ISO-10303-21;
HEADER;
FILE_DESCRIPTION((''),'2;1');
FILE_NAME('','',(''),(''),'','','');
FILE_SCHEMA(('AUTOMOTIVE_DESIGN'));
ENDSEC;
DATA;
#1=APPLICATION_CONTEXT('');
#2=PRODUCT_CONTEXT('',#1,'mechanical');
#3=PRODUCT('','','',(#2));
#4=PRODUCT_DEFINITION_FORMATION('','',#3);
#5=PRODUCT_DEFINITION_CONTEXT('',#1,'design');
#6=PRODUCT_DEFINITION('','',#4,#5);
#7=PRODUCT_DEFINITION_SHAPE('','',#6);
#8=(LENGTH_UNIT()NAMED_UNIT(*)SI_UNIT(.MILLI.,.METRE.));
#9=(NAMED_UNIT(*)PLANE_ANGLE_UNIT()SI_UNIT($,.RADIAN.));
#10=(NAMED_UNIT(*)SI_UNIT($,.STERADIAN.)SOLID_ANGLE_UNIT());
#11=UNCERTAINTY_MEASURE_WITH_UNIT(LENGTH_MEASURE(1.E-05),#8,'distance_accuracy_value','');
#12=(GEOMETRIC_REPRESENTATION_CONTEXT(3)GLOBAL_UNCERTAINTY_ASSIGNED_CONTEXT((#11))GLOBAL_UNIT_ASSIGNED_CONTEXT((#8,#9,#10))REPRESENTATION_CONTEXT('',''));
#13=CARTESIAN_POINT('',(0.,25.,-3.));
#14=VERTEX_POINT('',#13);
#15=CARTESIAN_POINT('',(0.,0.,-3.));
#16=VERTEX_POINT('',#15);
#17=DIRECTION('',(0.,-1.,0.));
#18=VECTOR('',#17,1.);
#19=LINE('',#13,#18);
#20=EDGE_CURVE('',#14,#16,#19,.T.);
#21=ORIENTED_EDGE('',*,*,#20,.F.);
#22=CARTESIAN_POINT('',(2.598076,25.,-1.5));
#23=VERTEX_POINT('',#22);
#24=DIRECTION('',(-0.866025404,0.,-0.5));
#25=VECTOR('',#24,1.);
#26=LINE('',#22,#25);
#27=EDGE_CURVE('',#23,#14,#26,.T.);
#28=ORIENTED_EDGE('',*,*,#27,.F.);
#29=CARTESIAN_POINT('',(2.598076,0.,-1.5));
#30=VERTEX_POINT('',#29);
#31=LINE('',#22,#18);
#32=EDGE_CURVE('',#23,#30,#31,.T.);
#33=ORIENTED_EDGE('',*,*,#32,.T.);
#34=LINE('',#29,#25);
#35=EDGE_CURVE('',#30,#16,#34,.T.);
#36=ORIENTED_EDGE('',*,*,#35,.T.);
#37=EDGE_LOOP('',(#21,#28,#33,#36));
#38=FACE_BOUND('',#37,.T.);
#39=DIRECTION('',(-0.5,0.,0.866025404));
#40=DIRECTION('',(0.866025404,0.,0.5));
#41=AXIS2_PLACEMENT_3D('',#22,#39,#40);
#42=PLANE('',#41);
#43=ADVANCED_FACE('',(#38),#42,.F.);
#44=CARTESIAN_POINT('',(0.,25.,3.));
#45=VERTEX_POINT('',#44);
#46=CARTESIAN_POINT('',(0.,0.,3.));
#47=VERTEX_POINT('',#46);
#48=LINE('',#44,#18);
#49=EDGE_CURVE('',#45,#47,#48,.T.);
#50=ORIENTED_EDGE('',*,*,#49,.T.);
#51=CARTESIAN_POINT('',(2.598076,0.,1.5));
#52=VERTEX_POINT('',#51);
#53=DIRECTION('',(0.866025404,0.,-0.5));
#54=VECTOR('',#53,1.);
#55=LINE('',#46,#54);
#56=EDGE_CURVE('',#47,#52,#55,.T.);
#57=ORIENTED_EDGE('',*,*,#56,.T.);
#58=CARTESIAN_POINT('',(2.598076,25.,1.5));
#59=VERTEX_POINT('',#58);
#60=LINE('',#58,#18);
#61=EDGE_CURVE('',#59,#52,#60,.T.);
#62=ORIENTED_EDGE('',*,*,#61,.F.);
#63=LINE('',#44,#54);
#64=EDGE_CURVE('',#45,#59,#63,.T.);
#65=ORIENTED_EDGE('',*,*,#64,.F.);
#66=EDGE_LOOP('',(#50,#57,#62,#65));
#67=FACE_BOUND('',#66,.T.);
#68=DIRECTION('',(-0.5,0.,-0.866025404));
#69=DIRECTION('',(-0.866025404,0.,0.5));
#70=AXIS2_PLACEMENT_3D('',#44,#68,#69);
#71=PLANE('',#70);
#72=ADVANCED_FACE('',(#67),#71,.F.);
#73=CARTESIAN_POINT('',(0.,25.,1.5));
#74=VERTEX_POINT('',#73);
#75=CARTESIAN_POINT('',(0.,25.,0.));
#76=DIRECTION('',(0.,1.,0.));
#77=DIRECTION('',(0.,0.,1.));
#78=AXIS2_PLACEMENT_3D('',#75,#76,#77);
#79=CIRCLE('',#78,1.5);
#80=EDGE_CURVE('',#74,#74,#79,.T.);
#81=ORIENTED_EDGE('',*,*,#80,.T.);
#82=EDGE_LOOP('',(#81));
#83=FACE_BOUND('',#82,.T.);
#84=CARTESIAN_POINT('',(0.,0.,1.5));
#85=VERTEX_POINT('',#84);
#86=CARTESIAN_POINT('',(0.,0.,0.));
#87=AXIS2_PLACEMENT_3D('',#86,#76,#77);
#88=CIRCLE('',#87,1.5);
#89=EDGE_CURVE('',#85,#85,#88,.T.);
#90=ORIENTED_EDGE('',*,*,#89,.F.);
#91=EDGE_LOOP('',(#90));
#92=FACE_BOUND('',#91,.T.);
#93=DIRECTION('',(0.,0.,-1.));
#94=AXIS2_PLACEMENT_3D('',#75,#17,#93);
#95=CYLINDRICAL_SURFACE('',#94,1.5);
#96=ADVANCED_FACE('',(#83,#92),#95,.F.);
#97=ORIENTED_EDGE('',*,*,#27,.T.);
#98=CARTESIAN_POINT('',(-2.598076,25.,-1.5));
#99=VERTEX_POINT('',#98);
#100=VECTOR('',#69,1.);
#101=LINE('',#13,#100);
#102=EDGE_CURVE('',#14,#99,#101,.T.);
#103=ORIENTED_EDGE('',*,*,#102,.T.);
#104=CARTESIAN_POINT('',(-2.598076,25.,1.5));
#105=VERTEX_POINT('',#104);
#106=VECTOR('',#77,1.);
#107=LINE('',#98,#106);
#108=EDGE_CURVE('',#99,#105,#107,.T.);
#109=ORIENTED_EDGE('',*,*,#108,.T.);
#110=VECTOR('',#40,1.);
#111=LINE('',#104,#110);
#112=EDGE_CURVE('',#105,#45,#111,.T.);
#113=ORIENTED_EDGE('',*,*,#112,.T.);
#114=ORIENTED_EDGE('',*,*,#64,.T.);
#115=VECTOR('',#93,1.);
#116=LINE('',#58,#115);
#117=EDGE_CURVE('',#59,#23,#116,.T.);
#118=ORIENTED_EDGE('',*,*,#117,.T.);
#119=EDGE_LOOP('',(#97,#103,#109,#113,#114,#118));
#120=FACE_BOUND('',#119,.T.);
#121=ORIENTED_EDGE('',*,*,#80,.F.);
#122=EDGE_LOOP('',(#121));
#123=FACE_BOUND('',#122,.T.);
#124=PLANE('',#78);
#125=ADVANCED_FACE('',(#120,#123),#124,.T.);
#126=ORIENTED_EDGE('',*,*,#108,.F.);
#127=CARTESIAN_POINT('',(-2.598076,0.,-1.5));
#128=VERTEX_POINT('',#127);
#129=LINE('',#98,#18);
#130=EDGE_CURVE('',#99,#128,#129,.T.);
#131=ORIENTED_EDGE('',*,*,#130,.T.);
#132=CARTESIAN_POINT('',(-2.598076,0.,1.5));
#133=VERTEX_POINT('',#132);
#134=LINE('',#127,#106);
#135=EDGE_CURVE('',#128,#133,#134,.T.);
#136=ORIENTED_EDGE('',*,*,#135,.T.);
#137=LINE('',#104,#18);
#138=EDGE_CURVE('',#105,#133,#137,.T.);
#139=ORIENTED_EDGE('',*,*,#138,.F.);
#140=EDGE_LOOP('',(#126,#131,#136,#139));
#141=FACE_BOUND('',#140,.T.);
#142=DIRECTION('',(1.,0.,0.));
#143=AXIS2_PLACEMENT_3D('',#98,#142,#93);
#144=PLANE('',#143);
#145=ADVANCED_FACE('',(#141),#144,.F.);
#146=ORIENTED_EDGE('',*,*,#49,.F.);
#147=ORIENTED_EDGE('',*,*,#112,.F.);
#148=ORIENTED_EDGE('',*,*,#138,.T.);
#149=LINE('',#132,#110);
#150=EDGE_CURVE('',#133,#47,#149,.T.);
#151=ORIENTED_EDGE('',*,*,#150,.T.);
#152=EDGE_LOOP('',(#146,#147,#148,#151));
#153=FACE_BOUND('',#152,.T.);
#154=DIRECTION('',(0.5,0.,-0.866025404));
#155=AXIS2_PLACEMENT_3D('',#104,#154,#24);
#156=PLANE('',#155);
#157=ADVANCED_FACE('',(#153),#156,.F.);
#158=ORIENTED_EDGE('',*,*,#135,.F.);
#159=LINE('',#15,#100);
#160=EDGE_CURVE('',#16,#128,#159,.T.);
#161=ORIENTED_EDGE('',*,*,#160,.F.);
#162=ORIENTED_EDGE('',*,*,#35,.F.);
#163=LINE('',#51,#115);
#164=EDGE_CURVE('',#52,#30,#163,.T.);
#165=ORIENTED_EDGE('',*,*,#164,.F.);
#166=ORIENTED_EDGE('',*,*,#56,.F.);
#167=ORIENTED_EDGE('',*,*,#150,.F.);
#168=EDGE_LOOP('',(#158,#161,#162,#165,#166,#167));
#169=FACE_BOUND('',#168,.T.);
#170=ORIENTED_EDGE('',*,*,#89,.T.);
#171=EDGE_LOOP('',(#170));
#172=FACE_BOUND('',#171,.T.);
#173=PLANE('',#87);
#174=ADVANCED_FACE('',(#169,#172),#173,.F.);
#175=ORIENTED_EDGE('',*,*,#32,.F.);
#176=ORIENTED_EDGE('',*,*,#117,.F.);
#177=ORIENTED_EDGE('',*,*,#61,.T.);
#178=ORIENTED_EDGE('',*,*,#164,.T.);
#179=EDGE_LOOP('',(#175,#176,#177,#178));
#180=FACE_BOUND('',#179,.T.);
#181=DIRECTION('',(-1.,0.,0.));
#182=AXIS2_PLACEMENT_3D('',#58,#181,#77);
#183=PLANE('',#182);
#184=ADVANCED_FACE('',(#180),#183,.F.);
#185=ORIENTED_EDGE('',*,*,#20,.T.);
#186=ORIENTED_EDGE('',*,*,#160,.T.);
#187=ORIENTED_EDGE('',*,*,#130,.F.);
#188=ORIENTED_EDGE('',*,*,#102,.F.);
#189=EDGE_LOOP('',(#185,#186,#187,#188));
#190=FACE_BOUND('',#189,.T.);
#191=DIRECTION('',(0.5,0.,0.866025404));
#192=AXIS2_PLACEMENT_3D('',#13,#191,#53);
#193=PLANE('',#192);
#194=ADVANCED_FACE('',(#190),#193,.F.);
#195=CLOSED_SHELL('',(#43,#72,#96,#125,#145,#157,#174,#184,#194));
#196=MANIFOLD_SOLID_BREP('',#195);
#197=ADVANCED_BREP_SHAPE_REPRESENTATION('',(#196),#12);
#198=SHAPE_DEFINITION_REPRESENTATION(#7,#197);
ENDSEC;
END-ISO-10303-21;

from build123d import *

# Parameters (mm, degrees)
SKETCH1_R           = 1.5
BOSS_EXTRUDE1_DEPTH = 25


with BuildPart() as part:
    # Sketch1 → Boss-Extrude1 (new body)
    with BuildSketch(Plane(origin=(0, 0, 0), x_dir=(1, 0, 0), z_dir=(0, 1, 0))):
        Polygon((0, 3), (-2.598076211, 1.5), (-2.598076211, -1.5), (0, -3), (2.598076211, -1.5), (2.598076211, 1.5), align=None)
        with Locations(Location((0, 0, 0), (0, 0, 270))):
            Circle(SKETCH1_R, mode=Mode.SUBTRACT)
    extrude(amount=BOSS_EXTRUDE1_DEPTH)


solid = part.part
